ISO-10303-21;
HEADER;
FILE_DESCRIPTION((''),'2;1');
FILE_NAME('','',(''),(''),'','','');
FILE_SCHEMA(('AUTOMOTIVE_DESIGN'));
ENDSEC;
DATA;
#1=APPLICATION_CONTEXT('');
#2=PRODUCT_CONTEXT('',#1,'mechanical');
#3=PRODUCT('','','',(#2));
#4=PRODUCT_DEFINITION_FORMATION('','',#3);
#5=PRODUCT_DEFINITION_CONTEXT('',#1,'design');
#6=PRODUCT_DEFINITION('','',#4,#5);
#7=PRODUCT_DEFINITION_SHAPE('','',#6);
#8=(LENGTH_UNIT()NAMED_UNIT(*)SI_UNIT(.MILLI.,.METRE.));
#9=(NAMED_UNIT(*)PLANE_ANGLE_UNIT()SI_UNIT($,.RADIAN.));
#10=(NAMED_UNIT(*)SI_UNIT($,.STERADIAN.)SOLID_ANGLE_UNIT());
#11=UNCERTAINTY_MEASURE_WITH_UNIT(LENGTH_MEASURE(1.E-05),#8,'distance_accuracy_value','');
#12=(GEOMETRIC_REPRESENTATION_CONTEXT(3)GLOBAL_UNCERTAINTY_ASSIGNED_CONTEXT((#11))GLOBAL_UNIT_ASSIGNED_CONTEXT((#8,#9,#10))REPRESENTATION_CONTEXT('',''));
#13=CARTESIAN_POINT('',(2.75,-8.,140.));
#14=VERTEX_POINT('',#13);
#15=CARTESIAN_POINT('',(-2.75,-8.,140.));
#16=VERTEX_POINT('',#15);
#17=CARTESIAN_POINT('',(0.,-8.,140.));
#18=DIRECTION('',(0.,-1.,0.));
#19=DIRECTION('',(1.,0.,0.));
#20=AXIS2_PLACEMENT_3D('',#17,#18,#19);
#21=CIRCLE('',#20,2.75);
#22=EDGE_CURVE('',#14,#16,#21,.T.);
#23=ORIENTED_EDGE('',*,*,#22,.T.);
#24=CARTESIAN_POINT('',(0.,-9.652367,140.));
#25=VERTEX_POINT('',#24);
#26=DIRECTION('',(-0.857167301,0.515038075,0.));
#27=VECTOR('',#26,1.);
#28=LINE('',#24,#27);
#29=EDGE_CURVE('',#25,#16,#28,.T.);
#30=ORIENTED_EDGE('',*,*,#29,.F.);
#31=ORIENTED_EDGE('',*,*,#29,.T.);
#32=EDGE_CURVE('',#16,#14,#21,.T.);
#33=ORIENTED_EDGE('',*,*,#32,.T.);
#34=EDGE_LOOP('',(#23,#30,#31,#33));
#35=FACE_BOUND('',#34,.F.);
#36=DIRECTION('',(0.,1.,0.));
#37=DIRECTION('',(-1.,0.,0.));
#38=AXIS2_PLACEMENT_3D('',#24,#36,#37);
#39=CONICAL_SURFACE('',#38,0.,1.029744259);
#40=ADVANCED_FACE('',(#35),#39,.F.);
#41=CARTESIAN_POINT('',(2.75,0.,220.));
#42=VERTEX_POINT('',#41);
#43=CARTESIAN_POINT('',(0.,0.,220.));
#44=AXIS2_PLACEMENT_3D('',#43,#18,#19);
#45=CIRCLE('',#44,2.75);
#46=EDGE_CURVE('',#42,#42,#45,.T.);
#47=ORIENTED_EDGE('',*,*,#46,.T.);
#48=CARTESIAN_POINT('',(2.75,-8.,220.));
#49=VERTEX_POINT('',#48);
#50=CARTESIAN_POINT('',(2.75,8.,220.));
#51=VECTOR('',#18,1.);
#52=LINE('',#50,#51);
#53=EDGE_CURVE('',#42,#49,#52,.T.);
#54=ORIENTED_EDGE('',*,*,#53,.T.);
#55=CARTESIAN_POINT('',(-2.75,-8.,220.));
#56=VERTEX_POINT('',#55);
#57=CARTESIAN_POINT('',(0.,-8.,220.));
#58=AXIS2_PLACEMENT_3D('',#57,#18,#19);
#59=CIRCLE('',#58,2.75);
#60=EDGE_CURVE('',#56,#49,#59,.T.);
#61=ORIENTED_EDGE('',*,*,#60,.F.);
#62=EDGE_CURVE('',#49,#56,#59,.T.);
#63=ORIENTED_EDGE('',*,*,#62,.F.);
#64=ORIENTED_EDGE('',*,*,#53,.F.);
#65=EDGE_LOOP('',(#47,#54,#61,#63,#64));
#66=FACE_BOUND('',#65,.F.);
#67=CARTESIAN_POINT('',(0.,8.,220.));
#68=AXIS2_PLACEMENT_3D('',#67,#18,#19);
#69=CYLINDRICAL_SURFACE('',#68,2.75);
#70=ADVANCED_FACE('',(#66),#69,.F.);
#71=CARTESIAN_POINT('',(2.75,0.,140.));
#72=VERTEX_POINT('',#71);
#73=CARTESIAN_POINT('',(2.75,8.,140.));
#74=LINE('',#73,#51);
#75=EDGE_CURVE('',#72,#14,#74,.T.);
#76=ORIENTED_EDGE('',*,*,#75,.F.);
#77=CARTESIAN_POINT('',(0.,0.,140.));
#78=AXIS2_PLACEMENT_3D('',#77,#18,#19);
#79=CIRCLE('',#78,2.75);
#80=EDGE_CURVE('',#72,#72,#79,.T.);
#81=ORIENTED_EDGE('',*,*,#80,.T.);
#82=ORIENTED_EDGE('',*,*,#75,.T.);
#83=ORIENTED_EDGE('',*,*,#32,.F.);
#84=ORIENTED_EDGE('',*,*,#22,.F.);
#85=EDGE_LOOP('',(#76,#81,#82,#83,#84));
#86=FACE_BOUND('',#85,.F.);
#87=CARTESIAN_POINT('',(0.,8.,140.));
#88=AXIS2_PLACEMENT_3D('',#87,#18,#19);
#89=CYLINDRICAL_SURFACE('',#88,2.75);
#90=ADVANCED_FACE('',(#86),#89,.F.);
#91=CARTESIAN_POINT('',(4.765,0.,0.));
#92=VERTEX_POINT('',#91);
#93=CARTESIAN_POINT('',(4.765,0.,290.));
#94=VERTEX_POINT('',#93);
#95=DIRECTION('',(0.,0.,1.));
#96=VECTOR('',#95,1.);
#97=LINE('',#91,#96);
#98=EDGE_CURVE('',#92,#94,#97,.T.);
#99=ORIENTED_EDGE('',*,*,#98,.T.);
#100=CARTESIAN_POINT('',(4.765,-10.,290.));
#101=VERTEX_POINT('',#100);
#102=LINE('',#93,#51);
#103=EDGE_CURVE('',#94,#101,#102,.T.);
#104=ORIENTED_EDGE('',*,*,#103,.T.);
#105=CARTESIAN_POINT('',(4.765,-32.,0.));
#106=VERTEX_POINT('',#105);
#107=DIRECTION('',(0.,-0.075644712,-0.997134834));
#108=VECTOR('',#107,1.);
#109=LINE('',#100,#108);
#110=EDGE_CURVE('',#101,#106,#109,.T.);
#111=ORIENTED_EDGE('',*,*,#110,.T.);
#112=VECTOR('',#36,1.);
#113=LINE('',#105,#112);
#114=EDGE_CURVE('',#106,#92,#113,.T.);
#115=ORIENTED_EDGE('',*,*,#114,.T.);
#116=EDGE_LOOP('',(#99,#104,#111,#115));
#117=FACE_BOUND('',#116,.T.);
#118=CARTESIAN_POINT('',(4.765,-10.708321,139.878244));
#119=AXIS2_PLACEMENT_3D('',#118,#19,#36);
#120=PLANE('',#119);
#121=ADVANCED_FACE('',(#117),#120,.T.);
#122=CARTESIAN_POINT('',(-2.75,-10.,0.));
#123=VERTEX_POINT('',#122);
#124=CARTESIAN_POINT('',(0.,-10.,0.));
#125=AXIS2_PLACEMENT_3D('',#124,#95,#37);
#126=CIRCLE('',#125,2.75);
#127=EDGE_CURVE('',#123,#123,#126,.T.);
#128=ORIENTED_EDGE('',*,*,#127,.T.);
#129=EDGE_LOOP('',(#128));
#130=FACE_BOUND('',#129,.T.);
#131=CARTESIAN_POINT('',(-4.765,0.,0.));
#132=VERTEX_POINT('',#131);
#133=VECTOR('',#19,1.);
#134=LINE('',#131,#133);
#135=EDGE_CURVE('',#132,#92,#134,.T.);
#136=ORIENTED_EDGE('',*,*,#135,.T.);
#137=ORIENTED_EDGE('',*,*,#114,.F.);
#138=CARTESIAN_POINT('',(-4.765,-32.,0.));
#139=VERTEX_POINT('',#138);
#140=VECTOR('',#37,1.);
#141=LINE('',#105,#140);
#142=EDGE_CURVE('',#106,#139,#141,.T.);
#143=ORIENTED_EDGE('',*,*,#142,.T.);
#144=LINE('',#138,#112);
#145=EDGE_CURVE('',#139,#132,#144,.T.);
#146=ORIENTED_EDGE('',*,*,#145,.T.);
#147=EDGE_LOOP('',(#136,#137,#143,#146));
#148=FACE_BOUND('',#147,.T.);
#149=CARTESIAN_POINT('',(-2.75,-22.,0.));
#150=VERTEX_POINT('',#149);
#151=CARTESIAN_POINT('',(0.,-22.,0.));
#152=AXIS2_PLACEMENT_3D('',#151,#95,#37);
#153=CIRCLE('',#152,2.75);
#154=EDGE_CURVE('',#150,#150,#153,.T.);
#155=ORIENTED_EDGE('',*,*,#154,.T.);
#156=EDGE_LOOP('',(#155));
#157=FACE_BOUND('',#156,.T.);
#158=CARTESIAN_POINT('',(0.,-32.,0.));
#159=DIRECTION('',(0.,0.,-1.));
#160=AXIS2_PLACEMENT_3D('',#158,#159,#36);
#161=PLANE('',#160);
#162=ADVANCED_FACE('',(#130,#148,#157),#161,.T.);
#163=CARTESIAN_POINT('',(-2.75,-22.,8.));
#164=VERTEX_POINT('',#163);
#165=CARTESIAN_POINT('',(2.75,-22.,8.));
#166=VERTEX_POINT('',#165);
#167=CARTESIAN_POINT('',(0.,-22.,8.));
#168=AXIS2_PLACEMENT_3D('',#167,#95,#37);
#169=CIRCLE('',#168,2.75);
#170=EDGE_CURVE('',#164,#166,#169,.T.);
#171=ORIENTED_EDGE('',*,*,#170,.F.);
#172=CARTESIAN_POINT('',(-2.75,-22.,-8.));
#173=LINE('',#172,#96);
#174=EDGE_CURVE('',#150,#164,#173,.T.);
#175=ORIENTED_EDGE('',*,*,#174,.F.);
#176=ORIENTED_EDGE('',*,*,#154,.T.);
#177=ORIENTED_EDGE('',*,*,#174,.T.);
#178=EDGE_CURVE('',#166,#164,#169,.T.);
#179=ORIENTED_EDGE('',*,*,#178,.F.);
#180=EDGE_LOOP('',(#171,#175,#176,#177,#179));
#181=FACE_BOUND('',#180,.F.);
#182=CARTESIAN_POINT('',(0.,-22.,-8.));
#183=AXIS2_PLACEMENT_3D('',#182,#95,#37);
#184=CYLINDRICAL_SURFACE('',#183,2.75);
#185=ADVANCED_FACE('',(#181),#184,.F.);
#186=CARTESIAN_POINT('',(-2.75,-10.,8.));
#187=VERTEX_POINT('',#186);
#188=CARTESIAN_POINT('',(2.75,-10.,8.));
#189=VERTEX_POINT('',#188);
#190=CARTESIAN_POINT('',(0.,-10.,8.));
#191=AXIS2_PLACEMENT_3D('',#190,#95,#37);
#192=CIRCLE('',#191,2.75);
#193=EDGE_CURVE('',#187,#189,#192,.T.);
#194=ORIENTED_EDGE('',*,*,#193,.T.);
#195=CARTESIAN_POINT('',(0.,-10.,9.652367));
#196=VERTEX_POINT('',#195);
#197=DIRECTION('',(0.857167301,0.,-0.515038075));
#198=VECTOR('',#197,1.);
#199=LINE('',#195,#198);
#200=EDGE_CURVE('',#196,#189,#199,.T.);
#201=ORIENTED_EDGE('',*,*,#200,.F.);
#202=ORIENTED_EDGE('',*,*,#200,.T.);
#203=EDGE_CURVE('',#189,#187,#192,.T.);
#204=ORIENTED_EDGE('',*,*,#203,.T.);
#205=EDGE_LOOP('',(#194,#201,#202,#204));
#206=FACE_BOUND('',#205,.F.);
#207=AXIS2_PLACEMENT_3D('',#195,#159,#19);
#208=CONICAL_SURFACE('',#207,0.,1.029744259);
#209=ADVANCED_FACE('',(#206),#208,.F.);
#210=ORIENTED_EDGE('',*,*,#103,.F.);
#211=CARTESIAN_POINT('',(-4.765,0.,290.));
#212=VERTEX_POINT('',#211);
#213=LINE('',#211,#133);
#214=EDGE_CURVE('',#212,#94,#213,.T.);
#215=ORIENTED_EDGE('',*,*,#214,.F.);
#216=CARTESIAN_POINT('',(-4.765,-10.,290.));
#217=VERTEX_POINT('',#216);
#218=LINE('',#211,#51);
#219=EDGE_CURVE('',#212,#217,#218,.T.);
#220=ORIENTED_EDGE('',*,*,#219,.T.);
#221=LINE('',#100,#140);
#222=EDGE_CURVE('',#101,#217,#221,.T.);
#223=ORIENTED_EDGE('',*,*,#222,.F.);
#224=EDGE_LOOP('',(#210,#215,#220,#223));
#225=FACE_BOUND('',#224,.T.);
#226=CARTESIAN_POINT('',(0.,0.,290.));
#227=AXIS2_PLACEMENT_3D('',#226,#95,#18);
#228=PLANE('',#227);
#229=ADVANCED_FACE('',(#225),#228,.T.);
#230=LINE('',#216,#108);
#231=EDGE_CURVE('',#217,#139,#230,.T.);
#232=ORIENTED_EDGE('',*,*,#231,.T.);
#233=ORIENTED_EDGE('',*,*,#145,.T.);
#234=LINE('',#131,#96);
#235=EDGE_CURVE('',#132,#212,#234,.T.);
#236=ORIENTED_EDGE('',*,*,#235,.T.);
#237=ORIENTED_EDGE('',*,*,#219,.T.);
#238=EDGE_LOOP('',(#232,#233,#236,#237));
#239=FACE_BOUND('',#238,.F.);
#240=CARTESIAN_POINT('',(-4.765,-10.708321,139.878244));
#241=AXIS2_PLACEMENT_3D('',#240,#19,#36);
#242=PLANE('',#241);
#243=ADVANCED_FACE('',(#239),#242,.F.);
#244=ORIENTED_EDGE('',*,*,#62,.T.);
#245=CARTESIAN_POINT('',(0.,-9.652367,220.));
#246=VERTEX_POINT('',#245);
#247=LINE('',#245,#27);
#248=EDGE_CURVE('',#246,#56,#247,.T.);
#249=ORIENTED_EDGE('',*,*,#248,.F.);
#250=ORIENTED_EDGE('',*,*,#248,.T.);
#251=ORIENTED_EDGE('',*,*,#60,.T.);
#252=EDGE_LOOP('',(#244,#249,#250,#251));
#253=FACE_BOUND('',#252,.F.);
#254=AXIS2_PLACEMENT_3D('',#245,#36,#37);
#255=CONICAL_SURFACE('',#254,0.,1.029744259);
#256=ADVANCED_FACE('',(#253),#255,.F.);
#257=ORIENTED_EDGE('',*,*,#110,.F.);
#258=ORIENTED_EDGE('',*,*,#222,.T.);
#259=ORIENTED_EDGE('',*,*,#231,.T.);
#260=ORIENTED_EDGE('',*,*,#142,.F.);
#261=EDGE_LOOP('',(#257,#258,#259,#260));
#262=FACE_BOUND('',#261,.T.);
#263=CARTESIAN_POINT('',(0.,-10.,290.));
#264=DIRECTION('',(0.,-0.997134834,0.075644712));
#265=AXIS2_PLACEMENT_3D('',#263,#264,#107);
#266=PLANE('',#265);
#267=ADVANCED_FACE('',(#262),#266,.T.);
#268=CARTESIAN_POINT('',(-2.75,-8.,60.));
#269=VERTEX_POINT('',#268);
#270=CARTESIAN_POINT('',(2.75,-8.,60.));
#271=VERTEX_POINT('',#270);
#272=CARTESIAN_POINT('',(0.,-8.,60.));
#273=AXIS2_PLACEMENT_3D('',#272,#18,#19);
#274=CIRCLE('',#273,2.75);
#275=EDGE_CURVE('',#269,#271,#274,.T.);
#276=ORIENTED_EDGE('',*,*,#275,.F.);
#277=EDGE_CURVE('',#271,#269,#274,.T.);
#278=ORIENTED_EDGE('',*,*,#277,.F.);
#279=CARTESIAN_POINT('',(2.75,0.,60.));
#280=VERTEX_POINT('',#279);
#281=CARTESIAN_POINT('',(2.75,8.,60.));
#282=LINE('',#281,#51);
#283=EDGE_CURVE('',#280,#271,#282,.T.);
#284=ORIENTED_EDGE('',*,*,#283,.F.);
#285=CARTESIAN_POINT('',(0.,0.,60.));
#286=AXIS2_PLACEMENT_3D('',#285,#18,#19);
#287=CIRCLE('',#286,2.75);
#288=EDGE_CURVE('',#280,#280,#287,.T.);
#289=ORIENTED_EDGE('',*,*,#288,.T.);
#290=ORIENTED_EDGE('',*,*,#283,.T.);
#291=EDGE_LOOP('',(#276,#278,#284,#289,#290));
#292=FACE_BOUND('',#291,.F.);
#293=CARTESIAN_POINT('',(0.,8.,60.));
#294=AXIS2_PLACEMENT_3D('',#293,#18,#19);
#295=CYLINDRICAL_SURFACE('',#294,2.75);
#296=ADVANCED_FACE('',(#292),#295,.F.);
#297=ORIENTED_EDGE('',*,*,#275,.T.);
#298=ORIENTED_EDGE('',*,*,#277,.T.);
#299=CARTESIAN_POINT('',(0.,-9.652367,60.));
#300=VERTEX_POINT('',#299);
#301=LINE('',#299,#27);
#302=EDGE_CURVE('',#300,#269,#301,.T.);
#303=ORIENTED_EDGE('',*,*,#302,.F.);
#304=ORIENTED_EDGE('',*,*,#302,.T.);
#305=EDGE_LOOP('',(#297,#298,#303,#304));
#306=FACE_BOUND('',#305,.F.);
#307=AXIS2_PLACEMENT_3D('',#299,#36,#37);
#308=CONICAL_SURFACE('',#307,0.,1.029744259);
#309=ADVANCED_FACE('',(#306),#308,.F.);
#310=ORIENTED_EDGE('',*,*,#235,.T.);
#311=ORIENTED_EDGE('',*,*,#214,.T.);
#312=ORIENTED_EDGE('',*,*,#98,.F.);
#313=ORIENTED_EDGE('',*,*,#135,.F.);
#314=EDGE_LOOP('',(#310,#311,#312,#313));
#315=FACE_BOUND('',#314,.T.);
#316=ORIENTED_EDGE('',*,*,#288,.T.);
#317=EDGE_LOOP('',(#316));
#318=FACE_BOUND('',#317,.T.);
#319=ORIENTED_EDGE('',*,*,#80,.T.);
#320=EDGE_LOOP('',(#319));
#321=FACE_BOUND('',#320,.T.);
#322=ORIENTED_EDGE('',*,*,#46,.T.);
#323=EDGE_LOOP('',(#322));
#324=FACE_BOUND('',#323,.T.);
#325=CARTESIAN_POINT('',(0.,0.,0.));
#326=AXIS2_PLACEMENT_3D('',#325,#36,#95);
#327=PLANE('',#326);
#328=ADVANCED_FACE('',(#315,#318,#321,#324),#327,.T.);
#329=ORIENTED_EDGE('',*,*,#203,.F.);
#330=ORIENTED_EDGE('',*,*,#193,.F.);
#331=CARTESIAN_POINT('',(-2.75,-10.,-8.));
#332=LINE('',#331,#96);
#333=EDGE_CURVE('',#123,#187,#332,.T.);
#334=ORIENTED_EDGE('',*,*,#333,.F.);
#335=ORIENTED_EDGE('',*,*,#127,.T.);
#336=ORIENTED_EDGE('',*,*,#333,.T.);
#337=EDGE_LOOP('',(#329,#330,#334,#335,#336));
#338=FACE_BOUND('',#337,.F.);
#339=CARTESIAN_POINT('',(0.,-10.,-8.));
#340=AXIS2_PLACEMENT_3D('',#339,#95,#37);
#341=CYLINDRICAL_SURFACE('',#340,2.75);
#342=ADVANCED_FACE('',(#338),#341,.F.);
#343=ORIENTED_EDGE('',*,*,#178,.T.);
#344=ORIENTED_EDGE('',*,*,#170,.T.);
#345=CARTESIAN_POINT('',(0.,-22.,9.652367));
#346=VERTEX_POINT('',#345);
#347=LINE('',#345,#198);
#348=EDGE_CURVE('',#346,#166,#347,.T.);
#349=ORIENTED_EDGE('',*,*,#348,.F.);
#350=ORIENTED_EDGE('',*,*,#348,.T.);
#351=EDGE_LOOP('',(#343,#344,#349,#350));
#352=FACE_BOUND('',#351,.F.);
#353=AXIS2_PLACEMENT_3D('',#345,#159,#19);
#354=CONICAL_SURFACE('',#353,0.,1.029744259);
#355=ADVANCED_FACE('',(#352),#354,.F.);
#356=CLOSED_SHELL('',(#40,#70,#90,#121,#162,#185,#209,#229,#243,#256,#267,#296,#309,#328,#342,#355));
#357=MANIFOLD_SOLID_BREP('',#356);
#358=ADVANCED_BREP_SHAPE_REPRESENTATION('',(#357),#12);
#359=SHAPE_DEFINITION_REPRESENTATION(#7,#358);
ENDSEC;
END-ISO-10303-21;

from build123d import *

# Parameters (mm, degrees)
F1_DEPTH       = 4.765
F4_D           = 5.5
F4_DEPTH       = 8
F4_TIP         = 1.6523667023
F4_ON_F3_D     = 5.5
F4_ON_F3_DEPTH = 8
F4_ON_F3_TIP   = 1.6523667023


with BuildPart() as f1:
    # F0 (on Right) → F1 (new body, symmetric)
    with BuildSketch(Plane.YZ):
        Polygon((-32, 0), (0, 0), (0, 290), (-10, 290), align=None)
    extrude(amount=F1_DEPTH, both=True)

    # F4
    with Locations(Plane(origin=(0, 0, 0), x_dir=(-1, 0, 0), z_dir=(0, 1, 0))):
        with Locations((0, 60), (0, 140), (0, 220)):
            Hole(F4_D / 2, depth=F4_DEPTH)
            with Locations((0, 0, -(F4_DEPTH + F4_TIP / 2))):  # 118° drill point
                Cone(0, F4_D / 2, F4_TIP, mode=Mode.SUBTRACT)

    # F4 on F3
    with Locations(Plane(origin=(0, 0, 0), x_dir=(1, 0, 0), z_dir=(0, 0, -1))):
        with Locations((0, 22), (0, 10)):
            Hole(F4_ON_F3_D / 2, depth=F4_ON_F3_DEPTH)
            with Locations((0, 0, -(F4_ON_F3_DEPTH + F4_ON_F3_TIP / 2))):  # 118° drill point
                Cone(0, F4_ON_F3_D / 2, F4_ON_F3_TIP, mode=Mode.SUBTRACT)


solid = f1.part
